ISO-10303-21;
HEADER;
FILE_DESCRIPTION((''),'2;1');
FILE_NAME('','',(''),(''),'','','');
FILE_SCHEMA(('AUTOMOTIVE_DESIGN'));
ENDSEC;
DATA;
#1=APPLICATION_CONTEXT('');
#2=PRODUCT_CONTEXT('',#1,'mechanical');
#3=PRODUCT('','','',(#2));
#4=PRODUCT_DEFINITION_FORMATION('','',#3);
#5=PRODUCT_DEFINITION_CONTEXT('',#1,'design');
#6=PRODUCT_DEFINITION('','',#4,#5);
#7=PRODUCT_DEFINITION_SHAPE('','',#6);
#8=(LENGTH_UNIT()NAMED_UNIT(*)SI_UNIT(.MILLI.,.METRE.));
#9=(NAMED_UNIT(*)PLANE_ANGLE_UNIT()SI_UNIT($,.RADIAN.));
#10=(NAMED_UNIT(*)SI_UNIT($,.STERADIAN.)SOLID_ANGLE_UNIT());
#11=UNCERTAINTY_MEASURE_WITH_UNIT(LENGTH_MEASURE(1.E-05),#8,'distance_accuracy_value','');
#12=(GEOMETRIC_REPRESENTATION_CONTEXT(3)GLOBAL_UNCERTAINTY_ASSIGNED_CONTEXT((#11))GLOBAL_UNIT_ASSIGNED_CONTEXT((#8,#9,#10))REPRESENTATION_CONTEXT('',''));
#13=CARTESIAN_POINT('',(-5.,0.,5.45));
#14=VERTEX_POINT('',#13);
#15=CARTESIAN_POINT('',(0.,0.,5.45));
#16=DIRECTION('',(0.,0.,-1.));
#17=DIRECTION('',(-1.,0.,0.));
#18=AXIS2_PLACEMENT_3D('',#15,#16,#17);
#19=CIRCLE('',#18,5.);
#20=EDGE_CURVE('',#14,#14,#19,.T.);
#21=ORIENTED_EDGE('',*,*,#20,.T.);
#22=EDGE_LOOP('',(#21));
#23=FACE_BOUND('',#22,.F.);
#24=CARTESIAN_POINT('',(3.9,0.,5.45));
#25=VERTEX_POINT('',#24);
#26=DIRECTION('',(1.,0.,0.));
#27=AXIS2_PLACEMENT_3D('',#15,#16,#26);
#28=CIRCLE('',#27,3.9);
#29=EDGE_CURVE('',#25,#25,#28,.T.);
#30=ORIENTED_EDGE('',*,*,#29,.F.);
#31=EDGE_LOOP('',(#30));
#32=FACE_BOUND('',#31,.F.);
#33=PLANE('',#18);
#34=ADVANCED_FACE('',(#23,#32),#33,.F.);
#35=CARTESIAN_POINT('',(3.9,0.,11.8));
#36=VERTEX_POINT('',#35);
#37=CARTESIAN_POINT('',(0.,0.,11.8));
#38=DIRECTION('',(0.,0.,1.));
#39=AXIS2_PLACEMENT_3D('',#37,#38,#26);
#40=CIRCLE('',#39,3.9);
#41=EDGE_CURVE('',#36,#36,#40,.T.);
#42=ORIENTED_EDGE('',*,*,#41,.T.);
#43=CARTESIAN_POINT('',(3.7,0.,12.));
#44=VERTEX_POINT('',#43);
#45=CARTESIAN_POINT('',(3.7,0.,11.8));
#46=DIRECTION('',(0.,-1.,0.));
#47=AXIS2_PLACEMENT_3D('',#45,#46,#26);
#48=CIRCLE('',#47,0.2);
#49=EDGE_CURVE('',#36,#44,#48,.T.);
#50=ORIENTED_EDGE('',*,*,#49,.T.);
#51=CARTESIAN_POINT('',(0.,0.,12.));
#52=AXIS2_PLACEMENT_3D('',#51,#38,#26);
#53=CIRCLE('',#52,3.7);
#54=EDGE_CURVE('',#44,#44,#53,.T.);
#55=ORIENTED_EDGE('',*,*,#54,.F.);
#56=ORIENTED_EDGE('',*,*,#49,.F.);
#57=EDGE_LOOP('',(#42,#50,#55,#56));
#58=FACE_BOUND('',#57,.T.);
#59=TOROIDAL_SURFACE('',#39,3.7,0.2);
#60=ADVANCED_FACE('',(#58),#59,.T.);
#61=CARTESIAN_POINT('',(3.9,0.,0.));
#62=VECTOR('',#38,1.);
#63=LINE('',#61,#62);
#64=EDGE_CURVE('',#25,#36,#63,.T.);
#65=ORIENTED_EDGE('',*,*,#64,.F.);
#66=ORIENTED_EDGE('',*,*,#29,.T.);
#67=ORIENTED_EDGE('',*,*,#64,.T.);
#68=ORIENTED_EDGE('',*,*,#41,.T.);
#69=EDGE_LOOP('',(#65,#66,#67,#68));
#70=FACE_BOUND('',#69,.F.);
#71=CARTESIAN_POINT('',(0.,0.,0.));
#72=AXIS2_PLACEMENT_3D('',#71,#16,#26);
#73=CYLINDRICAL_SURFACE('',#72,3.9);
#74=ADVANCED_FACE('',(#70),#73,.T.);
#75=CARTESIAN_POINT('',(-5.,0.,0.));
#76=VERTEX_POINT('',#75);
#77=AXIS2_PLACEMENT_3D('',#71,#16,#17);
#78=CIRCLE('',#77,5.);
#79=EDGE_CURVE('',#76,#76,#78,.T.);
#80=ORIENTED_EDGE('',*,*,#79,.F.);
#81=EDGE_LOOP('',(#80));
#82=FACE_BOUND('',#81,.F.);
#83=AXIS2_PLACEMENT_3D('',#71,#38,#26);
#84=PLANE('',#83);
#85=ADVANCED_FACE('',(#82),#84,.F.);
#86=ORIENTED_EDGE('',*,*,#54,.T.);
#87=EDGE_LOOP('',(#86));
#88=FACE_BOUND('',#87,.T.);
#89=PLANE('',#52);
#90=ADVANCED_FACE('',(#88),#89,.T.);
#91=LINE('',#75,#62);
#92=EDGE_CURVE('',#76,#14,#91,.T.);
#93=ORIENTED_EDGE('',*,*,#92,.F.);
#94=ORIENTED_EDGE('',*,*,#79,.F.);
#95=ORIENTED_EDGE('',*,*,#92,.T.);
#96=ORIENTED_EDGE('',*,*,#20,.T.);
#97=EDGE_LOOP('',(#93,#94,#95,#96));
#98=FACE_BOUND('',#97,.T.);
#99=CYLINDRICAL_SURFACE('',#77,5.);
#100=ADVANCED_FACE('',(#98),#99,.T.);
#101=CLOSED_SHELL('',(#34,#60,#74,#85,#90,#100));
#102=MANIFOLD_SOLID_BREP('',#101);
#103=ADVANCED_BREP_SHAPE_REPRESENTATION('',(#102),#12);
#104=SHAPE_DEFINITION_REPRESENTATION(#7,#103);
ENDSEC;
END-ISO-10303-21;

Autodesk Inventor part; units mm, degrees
ref_plane "YZ Plane" through (0, 0, 0) normal (1, 0, 0) x (0, 1, 0)
ref_plane "XZ Plane" through (0, 0, 0) normal (0, 1, 0) x (-1, 0, 0)
ref_plane "XY Plane" through (0, 0, 0) normal (0, 0, 1) x (1, 0, 0)
sketch "Sketch1" plane through (0, 0, 0) normal (0, 0, 1) x (1, 0, 0)
  circle A0 centre (0, 0) radius 3.9
  dimension "d0" = 7.8
extrude "Extrusion1" add sketch "Sketch1" along normal blind 12
sketch "Sketch2" plane through (0, 0, 0) normal (0, 0, -1) x (-1, 0, 0)
  circle A0 centre (0, 0) radius 5
  dimension "d3" = 10
extrude "Extrusion2" add sketch "Sketch2" against normal blind 5.45
fillet "Fillet1" radius 0.2 1 edges at (-3.9, 0, 12)
properties part number "ResetButton"
